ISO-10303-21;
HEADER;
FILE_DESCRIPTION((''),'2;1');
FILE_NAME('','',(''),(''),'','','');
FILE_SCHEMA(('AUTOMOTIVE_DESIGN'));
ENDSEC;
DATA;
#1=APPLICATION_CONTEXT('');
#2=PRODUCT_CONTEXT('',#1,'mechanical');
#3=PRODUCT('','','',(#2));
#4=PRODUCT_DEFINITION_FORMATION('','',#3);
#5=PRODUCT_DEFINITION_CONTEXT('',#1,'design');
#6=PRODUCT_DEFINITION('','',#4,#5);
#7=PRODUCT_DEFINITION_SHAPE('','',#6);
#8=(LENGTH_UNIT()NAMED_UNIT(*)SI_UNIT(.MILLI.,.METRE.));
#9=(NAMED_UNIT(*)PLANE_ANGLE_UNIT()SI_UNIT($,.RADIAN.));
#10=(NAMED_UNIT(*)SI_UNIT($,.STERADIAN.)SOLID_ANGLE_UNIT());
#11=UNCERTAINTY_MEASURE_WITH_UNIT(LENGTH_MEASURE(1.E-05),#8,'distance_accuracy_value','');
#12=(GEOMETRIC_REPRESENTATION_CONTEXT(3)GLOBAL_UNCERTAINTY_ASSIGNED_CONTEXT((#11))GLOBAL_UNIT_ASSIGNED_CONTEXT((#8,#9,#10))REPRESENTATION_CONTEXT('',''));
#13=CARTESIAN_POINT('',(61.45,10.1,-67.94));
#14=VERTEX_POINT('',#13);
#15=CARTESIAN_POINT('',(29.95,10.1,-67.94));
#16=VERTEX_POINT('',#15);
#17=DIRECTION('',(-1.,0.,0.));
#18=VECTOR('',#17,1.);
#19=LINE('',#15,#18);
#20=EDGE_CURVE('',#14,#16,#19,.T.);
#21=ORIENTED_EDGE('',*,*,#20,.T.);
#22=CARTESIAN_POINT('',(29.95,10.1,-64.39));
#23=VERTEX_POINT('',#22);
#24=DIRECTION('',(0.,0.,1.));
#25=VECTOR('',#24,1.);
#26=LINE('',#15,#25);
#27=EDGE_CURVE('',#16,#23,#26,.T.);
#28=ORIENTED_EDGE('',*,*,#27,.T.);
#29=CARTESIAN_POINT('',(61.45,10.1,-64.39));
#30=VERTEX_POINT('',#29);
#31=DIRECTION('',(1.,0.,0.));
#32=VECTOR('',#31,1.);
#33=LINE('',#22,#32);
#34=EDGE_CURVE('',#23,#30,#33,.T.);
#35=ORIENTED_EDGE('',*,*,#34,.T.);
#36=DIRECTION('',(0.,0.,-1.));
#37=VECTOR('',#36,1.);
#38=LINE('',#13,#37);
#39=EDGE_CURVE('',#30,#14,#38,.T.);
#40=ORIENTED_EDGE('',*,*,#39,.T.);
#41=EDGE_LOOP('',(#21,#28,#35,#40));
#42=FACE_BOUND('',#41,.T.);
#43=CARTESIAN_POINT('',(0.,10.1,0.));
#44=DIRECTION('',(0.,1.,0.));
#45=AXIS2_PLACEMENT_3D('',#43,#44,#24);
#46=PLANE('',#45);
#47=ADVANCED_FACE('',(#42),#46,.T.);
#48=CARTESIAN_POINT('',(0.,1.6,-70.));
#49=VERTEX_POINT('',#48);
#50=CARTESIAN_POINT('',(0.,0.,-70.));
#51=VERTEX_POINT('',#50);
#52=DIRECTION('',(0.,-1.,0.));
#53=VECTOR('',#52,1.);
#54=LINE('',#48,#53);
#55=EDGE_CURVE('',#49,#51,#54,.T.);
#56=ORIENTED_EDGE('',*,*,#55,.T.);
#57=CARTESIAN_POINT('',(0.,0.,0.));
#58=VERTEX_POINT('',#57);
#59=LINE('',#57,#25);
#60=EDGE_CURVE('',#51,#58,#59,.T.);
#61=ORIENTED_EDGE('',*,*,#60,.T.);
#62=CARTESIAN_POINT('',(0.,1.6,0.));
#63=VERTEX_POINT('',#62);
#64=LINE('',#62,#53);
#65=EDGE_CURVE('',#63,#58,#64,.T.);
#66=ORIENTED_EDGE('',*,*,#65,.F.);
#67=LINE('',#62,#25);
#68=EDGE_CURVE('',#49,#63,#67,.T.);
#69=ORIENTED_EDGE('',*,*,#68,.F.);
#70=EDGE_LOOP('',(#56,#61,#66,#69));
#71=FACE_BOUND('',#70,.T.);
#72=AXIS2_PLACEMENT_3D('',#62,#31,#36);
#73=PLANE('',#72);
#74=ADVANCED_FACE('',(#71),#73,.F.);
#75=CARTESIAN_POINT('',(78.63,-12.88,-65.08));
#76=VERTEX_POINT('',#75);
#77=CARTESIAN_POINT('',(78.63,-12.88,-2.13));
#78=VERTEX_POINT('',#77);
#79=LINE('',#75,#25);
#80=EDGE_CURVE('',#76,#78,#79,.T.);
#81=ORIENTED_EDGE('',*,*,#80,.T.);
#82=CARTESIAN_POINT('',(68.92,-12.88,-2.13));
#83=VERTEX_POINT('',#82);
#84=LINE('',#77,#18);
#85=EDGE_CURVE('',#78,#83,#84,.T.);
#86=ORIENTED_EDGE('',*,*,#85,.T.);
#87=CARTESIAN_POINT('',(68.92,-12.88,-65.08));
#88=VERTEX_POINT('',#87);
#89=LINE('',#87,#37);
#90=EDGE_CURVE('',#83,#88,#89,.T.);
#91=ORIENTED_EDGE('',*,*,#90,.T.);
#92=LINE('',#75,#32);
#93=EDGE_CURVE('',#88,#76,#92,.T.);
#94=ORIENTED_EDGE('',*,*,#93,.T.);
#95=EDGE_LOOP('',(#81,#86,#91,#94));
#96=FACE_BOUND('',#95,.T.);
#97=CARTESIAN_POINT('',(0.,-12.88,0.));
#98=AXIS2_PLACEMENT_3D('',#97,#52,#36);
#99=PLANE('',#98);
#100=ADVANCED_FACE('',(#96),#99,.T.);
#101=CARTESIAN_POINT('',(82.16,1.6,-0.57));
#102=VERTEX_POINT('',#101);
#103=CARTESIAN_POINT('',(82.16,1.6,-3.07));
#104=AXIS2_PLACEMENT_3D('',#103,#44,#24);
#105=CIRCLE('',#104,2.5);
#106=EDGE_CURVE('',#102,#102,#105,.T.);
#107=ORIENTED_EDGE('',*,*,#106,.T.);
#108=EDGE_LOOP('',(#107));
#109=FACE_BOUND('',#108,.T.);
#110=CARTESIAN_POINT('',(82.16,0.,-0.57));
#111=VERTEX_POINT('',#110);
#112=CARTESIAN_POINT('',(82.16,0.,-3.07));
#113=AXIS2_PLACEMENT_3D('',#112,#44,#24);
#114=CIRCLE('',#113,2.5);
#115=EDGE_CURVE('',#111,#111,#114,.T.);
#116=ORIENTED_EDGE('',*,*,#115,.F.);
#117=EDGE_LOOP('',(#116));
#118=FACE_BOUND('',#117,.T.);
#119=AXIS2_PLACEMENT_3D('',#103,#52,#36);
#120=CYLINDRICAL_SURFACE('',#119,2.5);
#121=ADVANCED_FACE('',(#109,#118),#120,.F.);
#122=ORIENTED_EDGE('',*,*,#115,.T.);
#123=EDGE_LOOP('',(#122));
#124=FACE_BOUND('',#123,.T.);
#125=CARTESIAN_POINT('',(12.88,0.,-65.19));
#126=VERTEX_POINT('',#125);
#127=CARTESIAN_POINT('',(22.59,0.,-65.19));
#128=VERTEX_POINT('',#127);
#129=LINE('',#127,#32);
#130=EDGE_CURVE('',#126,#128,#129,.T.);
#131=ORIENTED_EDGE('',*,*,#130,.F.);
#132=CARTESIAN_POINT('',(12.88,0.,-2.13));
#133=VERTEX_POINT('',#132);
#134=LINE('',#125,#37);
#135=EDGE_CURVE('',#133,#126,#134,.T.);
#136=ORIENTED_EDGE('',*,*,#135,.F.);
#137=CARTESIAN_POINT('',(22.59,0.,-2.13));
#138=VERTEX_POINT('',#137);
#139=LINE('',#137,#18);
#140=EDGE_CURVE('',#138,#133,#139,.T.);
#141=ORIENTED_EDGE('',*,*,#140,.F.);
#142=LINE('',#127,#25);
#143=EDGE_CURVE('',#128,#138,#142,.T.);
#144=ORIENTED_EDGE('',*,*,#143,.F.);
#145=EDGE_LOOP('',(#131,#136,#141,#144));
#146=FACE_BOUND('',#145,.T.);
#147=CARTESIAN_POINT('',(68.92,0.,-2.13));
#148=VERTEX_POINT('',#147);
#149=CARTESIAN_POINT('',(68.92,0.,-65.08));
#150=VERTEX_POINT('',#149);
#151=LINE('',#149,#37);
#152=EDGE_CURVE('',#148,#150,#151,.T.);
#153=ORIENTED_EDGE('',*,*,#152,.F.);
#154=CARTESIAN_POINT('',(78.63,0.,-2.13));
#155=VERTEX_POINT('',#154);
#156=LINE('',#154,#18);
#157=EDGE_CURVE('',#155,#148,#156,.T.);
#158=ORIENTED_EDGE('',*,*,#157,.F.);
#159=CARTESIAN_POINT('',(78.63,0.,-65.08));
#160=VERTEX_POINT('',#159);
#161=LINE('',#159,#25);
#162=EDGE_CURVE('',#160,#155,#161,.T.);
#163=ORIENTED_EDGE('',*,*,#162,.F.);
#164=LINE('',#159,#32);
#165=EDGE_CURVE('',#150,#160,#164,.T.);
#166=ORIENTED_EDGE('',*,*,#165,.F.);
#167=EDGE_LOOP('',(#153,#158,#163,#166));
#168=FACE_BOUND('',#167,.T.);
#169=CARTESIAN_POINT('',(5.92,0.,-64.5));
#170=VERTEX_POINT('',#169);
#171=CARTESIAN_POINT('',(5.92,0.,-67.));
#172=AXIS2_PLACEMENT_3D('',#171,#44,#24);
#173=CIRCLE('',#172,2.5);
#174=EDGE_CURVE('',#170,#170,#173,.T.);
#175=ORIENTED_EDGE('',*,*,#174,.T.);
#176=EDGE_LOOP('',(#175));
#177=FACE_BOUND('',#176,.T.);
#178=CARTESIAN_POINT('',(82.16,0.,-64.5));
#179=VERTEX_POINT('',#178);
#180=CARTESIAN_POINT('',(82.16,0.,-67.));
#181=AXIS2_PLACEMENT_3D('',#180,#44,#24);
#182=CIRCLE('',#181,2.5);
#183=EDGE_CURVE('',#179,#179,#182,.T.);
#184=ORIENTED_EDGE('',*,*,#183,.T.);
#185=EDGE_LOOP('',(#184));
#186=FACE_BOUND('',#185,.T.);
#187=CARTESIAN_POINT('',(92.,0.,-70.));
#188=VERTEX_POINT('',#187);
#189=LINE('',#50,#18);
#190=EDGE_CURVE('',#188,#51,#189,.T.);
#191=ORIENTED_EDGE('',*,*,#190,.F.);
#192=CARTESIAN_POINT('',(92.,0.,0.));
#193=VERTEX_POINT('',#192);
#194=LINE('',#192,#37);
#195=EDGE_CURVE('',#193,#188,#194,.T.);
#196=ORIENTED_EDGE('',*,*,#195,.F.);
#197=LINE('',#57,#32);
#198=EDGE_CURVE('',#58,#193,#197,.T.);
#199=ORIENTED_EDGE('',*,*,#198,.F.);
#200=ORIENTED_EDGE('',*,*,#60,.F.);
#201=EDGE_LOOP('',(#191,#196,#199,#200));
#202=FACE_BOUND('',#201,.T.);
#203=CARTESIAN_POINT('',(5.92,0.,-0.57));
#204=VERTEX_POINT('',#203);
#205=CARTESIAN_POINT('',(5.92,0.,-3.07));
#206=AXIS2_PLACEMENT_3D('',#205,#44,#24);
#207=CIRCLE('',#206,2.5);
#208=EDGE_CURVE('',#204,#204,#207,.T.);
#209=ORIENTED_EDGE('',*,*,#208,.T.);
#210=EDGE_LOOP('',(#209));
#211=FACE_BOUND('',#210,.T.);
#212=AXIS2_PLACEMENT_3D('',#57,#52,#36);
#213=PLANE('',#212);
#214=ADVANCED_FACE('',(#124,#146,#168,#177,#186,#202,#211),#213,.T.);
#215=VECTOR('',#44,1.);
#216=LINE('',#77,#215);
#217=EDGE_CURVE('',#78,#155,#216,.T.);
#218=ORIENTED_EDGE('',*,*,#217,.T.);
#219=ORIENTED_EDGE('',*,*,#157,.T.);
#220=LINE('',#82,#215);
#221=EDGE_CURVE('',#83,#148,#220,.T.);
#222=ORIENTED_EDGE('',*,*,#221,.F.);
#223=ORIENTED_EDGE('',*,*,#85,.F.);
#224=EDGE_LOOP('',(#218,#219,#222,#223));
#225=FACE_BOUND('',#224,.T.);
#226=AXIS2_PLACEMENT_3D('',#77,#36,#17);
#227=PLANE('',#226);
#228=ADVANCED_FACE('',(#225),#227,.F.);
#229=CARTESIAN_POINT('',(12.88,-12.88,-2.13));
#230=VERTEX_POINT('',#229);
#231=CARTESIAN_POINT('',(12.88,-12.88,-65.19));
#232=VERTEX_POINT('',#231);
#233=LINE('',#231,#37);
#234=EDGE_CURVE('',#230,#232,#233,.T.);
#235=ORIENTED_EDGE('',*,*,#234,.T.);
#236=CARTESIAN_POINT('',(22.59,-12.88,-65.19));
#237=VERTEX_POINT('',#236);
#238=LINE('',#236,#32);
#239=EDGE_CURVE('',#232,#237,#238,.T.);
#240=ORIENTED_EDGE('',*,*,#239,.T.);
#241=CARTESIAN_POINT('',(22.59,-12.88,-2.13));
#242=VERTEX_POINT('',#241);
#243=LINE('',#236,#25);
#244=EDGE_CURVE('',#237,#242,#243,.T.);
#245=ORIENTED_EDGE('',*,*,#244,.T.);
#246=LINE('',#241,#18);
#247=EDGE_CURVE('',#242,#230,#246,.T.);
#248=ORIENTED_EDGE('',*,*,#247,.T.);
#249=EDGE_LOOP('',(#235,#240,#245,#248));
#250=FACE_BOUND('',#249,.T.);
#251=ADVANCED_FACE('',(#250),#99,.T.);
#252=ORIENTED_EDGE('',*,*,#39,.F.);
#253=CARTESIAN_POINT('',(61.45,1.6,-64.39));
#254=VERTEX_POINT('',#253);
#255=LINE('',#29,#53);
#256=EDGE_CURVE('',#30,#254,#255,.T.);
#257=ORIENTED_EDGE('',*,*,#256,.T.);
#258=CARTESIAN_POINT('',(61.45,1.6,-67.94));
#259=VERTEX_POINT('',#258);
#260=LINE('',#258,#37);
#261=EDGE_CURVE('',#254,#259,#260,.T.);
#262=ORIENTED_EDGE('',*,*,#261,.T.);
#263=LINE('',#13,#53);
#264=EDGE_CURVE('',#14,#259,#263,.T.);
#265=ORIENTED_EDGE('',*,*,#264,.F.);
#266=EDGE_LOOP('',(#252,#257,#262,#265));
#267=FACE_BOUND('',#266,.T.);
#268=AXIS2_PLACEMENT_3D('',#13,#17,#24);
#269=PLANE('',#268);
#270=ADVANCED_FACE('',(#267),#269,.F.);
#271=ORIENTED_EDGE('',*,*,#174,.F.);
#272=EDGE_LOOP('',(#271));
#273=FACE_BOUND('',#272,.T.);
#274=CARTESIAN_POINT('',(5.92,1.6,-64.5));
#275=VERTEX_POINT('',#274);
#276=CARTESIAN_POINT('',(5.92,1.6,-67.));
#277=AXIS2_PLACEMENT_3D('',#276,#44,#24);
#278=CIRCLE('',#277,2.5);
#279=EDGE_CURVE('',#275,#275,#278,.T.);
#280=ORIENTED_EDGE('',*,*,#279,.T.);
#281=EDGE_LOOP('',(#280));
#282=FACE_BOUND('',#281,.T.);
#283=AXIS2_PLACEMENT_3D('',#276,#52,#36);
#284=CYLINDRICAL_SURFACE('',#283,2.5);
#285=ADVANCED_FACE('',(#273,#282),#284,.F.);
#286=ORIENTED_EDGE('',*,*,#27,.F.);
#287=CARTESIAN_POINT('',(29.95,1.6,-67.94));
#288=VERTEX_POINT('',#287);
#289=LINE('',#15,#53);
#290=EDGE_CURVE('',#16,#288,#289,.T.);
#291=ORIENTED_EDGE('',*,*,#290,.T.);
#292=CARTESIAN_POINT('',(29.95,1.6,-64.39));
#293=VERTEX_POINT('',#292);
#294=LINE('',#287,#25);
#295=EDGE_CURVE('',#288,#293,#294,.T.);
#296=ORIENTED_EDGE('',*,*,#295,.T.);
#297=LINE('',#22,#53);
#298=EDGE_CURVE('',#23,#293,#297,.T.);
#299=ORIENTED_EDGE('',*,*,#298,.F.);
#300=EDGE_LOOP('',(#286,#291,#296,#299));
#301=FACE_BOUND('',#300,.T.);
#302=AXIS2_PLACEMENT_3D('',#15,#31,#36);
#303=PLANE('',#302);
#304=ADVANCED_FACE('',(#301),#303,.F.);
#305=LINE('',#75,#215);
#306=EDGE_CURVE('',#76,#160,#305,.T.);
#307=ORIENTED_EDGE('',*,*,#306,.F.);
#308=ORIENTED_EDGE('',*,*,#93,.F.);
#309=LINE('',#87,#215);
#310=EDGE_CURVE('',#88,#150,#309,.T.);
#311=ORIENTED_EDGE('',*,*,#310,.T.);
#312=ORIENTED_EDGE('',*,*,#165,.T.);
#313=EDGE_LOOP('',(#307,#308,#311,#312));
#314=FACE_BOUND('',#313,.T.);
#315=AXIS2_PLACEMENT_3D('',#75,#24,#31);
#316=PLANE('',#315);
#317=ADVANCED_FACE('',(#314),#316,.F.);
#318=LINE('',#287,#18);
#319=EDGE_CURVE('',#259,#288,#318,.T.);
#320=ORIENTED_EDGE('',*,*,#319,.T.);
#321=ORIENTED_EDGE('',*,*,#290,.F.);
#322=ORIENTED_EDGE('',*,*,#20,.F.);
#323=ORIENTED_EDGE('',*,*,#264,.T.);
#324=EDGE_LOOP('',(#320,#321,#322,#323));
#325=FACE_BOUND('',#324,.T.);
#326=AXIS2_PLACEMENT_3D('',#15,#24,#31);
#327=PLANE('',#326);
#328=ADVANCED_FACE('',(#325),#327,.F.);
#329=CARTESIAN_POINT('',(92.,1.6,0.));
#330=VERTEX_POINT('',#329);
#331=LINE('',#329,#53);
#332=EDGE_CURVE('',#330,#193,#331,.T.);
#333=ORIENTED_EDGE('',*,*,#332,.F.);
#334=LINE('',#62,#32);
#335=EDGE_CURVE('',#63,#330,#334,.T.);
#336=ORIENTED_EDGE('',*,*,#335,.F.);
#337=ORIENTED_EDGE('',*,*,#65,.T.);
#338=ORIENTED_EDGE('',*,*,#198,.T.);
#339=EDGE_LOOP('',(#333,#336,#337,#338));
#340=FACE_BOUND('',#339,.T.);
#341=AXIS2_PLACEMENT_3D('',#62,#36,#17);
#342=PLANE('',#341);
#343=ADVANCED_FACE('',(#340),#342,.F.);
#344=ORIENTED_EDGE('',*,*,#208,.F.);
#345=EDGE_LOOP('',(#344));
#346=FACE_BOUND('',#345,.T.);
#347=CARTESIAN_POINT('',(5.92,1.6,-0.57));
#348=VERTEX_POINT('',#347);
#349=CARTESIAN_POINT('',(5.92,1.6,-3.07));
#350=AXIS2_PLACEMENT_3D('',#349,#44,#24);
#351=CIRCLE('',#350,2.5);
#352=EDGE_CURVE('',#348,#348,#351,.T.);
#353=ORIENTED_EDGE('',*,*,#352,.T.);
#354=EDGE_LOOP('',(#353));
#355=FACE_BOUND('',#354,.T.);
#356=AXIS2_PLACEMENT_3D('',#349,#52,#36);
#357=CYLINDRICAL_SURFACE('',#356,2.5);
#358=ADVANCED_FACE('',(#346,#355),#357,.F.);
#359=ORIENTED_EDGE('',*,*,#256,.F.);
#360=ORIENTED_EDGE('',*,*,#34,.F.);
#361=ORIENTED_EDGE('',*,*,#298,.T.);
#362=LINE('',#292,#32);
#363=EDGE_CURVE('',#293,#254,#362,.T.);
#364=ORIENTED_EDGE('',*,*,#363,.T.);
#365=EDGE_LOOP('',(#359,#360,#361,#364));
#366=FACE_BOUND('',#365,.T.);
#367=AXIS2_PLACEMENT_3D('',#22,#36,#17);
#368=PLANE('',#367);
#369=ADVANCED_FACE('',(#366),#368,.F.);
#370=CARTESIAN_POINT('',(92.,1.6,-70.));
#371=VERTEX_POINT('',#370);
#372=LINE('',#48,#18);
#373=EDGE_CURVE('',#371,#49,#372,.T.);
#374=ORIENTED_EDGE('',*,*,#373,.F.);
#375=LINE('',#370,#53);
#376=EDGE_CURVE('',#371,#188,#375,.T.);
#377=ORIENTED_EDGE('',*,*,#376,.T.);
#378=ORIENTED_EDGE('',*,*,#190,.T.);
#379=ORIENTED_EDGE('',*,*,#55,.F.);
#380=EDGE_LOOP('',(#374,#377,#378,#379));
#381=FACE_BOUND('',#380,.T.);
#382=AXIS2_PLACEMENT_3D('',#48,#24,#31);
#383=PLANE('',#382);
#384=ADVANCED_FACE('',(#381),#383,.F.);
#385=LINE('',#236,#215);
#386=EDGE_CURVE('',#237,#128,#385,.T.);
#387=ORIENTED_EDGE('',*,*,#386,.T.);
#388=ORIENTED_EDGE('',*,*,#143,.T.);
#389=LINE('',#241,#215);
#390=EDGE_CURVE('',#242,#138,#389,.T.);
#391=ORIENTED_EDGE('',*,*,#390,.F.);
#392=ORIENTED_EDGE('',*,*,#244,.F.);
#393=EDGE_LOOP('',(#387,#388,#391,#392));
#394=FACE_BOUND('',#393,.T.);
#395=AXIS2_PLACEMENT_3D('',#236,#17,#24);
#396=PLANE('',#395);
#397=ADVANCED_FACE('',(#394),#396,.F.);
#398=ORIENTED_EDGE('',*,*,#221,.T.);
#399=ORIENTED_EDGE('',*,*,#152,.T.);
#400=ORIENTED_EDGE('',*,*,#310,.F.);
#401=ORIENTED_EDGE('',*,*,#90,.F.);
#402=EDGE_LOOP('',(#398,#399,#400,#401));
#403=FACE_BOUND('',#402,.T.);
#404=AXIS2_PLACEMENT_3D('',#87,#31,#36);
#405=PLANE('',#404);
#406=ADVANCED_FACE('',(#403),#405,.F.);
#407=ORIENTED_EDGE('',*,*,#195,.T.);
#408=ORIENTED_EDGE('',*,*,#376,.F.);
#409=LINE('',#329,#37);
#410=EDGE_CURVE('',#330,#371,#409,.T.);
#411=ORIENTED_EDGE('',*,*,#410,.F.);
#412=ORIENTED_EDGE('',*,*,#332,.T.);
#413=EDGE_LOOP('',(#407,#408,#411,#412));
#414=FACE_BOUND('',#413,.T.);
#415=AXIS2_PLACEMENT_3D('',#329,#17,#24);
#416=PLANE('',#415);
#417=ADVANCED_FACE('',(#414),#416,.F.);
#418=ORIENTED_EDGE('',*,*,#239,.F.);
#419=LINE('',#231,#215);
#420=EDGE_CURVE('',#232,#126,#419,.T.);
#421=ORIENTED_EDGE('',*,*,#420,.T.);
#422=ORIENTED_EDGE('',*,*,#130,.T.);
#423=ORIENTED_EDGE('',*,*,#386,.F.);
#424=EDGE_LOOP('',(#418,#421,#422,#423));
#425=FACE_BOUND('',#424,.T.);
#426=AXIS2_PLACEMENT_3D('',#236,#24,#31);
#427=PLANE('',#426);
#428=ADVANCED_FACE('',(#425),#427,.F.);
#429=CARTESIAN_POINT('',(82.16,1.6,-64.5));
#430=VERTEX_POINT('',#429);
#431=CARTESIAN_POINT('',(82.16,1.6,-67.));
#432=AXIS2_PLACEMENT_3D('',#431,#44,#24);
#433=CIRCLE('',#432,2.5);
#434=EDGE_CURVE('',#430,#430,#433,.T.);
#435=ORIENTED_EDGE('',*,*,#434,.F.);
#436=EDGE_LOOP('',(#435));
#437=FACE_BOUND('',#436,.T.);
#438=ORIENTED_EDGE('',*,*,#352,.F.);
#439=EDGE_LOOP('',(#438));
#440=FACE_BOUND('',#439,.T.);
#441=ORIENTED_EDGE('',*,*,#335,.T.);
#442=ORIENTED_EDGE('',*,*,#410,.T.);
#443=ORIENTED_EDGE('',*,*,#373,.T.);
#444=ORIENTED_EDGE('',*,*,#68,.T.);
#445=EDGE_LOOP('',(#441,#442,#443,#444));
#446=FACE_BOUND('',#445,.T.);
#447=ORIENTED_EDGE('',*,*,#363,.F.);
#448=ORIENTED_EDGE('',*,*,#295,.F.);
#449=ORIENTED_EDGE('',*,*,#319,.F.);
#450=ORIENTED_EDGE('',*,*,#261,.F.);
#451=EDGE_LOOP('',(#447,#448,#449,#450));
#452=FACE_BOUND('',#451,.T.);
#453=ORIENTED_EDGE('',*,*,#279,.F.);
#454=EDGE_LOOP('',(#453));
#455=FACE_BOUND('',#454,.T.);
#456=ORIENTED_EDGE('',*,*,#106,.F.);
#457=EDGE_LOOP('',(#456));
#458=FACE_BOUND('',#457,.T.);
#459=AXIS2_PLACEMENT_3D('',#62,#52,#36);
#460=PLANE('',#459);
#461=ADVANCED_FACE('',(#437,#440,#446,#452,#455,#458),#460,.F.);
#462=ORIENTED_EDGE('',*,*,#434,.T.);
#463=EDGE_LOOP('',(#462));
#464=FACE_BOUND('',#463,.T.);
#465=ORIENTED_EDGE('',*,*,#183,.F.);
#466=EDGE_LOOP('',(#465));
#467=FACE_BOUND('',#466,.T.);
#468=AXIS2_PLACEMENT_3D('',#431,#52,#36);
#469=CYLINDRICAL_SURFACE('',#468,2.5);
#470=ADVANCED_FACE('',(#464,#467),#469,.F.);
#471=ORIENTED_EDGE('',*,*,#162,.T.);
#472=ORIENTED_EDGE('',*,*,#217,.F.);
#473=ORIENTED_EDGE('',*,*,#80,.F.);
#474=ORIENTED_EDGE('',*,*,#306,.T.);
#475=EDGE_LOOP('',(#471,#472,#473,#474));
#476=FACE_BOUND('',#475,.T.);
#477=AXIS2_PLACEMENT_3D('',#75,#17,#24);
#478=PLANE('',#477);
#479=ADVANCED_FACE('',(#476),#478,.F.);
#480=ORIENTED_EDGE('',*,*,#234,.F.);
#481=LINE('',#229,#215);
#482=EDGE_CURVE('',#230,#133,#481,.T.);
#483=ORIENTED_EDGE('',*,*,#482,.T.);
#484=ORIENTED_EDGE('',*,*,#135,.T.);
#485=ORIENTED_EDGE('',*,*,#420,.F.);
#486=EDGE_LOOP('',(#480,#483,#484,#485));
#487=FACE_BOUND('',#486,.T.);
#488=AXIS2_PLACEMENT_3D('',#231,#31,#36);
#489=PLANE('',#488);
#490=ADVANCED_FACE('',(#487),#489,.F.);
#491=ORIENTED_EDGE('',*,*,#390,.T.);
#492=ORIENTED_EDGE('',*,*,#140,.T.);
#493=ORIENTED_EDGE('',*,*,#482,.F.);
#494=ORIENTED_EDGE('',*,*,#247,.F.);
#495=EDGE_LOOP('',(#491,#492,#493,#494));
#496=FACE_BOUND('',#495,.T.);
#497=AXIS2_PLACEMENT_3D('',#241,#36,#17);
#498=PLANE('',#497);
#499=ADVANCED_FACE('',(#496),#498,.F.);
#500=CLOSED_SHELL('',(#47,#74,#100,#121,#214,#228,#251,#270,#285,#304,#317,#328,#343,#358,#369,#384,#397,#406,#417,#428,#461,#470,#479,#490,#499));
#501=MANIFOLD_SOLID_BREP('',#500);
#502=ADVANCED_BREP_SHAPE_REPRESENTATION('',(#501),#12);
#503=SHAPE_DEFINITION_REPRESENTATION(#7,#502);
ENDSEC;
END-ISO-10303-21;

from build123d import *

# Parameters (mm, degrees)
SKETCH1_W                = 92
SKETCH1_H                = 70
SKETCH1_R                = 2.5
Y_PCB_EXTR_DEPTH         = 1.6
SKETCH2_W                = 31.5
SKETCH2_H                = 3.55
Y_HEADER_EXTR_DEPTH      = 8.5
SKETCH3_W                = 9.71
SKETCH3_H                = 62.95
SKETCH3_H_2              = 63.06
Y_MOLEX_POWER_EXTR_DEPTH = 12.88


with BuildPart() as part:
    # Sketch1 → Y+ PCB extr (new body)
    with BuildSketch(Plane(origin=(0, 0, 0), x_dir=(1, 0, 0), z_dir=(0, 1, 0))):
        with Locations((46, 35)):
            Rectangle(SKETCH1_W, SKETCH1_H)
        with Locations(Location((5.92, 3.07, 0), (0, 0, 270))):
            Circle(SKETCH1_R, mode=Mode.SUBTRACT)
        with Locations(Location((82.16, 3.07, 0), (0, 0, 270))):
            Circle(SKETCH1_R, mode=Mode.SUBTRACT)
        with Locations(Location((82.16, 67, 0), (0, 0, 270))):
            Circle(SKETCH1_R, mode=Mode.SUBTRACT)
        with Locations(Location((5.92, 67, 0), (0, 0, 270))):
            Circle(SKETCH1_R, mode=Mode.SUBTRACT)
    extrude(amount=Y_PCB_EXTR_DEPTH)

    # Sketch2 → Y+ header extr (add)
    with BuildSketch(Plane(origin=(0, 1.6, 0), x_dir=(1, 0, 0), z_dir=(0, 1, 0))):
        with Locations((45.7, 66.165)):
            Rectangle(SKETCH2_W, SKETCH2_H)
    extrude(amount=Y_HEADER_EXTR_DEPTH)

    # Sketch3 → Y- MOLEX power extr (add)
    with BuildSketch(Plane.XZ):
        with Locations((73.775, -33.605)):
            Rectangle(SKETCH3_W, SKETCH3_H)
        with Locations((17.735, -33.66)):
            Rectangle(SKETCH3_W, SKETCH3_H_2)
    extrude(amount=Y_MOLEX_POWER_EXTR_DEPTH)


solid = part.part
